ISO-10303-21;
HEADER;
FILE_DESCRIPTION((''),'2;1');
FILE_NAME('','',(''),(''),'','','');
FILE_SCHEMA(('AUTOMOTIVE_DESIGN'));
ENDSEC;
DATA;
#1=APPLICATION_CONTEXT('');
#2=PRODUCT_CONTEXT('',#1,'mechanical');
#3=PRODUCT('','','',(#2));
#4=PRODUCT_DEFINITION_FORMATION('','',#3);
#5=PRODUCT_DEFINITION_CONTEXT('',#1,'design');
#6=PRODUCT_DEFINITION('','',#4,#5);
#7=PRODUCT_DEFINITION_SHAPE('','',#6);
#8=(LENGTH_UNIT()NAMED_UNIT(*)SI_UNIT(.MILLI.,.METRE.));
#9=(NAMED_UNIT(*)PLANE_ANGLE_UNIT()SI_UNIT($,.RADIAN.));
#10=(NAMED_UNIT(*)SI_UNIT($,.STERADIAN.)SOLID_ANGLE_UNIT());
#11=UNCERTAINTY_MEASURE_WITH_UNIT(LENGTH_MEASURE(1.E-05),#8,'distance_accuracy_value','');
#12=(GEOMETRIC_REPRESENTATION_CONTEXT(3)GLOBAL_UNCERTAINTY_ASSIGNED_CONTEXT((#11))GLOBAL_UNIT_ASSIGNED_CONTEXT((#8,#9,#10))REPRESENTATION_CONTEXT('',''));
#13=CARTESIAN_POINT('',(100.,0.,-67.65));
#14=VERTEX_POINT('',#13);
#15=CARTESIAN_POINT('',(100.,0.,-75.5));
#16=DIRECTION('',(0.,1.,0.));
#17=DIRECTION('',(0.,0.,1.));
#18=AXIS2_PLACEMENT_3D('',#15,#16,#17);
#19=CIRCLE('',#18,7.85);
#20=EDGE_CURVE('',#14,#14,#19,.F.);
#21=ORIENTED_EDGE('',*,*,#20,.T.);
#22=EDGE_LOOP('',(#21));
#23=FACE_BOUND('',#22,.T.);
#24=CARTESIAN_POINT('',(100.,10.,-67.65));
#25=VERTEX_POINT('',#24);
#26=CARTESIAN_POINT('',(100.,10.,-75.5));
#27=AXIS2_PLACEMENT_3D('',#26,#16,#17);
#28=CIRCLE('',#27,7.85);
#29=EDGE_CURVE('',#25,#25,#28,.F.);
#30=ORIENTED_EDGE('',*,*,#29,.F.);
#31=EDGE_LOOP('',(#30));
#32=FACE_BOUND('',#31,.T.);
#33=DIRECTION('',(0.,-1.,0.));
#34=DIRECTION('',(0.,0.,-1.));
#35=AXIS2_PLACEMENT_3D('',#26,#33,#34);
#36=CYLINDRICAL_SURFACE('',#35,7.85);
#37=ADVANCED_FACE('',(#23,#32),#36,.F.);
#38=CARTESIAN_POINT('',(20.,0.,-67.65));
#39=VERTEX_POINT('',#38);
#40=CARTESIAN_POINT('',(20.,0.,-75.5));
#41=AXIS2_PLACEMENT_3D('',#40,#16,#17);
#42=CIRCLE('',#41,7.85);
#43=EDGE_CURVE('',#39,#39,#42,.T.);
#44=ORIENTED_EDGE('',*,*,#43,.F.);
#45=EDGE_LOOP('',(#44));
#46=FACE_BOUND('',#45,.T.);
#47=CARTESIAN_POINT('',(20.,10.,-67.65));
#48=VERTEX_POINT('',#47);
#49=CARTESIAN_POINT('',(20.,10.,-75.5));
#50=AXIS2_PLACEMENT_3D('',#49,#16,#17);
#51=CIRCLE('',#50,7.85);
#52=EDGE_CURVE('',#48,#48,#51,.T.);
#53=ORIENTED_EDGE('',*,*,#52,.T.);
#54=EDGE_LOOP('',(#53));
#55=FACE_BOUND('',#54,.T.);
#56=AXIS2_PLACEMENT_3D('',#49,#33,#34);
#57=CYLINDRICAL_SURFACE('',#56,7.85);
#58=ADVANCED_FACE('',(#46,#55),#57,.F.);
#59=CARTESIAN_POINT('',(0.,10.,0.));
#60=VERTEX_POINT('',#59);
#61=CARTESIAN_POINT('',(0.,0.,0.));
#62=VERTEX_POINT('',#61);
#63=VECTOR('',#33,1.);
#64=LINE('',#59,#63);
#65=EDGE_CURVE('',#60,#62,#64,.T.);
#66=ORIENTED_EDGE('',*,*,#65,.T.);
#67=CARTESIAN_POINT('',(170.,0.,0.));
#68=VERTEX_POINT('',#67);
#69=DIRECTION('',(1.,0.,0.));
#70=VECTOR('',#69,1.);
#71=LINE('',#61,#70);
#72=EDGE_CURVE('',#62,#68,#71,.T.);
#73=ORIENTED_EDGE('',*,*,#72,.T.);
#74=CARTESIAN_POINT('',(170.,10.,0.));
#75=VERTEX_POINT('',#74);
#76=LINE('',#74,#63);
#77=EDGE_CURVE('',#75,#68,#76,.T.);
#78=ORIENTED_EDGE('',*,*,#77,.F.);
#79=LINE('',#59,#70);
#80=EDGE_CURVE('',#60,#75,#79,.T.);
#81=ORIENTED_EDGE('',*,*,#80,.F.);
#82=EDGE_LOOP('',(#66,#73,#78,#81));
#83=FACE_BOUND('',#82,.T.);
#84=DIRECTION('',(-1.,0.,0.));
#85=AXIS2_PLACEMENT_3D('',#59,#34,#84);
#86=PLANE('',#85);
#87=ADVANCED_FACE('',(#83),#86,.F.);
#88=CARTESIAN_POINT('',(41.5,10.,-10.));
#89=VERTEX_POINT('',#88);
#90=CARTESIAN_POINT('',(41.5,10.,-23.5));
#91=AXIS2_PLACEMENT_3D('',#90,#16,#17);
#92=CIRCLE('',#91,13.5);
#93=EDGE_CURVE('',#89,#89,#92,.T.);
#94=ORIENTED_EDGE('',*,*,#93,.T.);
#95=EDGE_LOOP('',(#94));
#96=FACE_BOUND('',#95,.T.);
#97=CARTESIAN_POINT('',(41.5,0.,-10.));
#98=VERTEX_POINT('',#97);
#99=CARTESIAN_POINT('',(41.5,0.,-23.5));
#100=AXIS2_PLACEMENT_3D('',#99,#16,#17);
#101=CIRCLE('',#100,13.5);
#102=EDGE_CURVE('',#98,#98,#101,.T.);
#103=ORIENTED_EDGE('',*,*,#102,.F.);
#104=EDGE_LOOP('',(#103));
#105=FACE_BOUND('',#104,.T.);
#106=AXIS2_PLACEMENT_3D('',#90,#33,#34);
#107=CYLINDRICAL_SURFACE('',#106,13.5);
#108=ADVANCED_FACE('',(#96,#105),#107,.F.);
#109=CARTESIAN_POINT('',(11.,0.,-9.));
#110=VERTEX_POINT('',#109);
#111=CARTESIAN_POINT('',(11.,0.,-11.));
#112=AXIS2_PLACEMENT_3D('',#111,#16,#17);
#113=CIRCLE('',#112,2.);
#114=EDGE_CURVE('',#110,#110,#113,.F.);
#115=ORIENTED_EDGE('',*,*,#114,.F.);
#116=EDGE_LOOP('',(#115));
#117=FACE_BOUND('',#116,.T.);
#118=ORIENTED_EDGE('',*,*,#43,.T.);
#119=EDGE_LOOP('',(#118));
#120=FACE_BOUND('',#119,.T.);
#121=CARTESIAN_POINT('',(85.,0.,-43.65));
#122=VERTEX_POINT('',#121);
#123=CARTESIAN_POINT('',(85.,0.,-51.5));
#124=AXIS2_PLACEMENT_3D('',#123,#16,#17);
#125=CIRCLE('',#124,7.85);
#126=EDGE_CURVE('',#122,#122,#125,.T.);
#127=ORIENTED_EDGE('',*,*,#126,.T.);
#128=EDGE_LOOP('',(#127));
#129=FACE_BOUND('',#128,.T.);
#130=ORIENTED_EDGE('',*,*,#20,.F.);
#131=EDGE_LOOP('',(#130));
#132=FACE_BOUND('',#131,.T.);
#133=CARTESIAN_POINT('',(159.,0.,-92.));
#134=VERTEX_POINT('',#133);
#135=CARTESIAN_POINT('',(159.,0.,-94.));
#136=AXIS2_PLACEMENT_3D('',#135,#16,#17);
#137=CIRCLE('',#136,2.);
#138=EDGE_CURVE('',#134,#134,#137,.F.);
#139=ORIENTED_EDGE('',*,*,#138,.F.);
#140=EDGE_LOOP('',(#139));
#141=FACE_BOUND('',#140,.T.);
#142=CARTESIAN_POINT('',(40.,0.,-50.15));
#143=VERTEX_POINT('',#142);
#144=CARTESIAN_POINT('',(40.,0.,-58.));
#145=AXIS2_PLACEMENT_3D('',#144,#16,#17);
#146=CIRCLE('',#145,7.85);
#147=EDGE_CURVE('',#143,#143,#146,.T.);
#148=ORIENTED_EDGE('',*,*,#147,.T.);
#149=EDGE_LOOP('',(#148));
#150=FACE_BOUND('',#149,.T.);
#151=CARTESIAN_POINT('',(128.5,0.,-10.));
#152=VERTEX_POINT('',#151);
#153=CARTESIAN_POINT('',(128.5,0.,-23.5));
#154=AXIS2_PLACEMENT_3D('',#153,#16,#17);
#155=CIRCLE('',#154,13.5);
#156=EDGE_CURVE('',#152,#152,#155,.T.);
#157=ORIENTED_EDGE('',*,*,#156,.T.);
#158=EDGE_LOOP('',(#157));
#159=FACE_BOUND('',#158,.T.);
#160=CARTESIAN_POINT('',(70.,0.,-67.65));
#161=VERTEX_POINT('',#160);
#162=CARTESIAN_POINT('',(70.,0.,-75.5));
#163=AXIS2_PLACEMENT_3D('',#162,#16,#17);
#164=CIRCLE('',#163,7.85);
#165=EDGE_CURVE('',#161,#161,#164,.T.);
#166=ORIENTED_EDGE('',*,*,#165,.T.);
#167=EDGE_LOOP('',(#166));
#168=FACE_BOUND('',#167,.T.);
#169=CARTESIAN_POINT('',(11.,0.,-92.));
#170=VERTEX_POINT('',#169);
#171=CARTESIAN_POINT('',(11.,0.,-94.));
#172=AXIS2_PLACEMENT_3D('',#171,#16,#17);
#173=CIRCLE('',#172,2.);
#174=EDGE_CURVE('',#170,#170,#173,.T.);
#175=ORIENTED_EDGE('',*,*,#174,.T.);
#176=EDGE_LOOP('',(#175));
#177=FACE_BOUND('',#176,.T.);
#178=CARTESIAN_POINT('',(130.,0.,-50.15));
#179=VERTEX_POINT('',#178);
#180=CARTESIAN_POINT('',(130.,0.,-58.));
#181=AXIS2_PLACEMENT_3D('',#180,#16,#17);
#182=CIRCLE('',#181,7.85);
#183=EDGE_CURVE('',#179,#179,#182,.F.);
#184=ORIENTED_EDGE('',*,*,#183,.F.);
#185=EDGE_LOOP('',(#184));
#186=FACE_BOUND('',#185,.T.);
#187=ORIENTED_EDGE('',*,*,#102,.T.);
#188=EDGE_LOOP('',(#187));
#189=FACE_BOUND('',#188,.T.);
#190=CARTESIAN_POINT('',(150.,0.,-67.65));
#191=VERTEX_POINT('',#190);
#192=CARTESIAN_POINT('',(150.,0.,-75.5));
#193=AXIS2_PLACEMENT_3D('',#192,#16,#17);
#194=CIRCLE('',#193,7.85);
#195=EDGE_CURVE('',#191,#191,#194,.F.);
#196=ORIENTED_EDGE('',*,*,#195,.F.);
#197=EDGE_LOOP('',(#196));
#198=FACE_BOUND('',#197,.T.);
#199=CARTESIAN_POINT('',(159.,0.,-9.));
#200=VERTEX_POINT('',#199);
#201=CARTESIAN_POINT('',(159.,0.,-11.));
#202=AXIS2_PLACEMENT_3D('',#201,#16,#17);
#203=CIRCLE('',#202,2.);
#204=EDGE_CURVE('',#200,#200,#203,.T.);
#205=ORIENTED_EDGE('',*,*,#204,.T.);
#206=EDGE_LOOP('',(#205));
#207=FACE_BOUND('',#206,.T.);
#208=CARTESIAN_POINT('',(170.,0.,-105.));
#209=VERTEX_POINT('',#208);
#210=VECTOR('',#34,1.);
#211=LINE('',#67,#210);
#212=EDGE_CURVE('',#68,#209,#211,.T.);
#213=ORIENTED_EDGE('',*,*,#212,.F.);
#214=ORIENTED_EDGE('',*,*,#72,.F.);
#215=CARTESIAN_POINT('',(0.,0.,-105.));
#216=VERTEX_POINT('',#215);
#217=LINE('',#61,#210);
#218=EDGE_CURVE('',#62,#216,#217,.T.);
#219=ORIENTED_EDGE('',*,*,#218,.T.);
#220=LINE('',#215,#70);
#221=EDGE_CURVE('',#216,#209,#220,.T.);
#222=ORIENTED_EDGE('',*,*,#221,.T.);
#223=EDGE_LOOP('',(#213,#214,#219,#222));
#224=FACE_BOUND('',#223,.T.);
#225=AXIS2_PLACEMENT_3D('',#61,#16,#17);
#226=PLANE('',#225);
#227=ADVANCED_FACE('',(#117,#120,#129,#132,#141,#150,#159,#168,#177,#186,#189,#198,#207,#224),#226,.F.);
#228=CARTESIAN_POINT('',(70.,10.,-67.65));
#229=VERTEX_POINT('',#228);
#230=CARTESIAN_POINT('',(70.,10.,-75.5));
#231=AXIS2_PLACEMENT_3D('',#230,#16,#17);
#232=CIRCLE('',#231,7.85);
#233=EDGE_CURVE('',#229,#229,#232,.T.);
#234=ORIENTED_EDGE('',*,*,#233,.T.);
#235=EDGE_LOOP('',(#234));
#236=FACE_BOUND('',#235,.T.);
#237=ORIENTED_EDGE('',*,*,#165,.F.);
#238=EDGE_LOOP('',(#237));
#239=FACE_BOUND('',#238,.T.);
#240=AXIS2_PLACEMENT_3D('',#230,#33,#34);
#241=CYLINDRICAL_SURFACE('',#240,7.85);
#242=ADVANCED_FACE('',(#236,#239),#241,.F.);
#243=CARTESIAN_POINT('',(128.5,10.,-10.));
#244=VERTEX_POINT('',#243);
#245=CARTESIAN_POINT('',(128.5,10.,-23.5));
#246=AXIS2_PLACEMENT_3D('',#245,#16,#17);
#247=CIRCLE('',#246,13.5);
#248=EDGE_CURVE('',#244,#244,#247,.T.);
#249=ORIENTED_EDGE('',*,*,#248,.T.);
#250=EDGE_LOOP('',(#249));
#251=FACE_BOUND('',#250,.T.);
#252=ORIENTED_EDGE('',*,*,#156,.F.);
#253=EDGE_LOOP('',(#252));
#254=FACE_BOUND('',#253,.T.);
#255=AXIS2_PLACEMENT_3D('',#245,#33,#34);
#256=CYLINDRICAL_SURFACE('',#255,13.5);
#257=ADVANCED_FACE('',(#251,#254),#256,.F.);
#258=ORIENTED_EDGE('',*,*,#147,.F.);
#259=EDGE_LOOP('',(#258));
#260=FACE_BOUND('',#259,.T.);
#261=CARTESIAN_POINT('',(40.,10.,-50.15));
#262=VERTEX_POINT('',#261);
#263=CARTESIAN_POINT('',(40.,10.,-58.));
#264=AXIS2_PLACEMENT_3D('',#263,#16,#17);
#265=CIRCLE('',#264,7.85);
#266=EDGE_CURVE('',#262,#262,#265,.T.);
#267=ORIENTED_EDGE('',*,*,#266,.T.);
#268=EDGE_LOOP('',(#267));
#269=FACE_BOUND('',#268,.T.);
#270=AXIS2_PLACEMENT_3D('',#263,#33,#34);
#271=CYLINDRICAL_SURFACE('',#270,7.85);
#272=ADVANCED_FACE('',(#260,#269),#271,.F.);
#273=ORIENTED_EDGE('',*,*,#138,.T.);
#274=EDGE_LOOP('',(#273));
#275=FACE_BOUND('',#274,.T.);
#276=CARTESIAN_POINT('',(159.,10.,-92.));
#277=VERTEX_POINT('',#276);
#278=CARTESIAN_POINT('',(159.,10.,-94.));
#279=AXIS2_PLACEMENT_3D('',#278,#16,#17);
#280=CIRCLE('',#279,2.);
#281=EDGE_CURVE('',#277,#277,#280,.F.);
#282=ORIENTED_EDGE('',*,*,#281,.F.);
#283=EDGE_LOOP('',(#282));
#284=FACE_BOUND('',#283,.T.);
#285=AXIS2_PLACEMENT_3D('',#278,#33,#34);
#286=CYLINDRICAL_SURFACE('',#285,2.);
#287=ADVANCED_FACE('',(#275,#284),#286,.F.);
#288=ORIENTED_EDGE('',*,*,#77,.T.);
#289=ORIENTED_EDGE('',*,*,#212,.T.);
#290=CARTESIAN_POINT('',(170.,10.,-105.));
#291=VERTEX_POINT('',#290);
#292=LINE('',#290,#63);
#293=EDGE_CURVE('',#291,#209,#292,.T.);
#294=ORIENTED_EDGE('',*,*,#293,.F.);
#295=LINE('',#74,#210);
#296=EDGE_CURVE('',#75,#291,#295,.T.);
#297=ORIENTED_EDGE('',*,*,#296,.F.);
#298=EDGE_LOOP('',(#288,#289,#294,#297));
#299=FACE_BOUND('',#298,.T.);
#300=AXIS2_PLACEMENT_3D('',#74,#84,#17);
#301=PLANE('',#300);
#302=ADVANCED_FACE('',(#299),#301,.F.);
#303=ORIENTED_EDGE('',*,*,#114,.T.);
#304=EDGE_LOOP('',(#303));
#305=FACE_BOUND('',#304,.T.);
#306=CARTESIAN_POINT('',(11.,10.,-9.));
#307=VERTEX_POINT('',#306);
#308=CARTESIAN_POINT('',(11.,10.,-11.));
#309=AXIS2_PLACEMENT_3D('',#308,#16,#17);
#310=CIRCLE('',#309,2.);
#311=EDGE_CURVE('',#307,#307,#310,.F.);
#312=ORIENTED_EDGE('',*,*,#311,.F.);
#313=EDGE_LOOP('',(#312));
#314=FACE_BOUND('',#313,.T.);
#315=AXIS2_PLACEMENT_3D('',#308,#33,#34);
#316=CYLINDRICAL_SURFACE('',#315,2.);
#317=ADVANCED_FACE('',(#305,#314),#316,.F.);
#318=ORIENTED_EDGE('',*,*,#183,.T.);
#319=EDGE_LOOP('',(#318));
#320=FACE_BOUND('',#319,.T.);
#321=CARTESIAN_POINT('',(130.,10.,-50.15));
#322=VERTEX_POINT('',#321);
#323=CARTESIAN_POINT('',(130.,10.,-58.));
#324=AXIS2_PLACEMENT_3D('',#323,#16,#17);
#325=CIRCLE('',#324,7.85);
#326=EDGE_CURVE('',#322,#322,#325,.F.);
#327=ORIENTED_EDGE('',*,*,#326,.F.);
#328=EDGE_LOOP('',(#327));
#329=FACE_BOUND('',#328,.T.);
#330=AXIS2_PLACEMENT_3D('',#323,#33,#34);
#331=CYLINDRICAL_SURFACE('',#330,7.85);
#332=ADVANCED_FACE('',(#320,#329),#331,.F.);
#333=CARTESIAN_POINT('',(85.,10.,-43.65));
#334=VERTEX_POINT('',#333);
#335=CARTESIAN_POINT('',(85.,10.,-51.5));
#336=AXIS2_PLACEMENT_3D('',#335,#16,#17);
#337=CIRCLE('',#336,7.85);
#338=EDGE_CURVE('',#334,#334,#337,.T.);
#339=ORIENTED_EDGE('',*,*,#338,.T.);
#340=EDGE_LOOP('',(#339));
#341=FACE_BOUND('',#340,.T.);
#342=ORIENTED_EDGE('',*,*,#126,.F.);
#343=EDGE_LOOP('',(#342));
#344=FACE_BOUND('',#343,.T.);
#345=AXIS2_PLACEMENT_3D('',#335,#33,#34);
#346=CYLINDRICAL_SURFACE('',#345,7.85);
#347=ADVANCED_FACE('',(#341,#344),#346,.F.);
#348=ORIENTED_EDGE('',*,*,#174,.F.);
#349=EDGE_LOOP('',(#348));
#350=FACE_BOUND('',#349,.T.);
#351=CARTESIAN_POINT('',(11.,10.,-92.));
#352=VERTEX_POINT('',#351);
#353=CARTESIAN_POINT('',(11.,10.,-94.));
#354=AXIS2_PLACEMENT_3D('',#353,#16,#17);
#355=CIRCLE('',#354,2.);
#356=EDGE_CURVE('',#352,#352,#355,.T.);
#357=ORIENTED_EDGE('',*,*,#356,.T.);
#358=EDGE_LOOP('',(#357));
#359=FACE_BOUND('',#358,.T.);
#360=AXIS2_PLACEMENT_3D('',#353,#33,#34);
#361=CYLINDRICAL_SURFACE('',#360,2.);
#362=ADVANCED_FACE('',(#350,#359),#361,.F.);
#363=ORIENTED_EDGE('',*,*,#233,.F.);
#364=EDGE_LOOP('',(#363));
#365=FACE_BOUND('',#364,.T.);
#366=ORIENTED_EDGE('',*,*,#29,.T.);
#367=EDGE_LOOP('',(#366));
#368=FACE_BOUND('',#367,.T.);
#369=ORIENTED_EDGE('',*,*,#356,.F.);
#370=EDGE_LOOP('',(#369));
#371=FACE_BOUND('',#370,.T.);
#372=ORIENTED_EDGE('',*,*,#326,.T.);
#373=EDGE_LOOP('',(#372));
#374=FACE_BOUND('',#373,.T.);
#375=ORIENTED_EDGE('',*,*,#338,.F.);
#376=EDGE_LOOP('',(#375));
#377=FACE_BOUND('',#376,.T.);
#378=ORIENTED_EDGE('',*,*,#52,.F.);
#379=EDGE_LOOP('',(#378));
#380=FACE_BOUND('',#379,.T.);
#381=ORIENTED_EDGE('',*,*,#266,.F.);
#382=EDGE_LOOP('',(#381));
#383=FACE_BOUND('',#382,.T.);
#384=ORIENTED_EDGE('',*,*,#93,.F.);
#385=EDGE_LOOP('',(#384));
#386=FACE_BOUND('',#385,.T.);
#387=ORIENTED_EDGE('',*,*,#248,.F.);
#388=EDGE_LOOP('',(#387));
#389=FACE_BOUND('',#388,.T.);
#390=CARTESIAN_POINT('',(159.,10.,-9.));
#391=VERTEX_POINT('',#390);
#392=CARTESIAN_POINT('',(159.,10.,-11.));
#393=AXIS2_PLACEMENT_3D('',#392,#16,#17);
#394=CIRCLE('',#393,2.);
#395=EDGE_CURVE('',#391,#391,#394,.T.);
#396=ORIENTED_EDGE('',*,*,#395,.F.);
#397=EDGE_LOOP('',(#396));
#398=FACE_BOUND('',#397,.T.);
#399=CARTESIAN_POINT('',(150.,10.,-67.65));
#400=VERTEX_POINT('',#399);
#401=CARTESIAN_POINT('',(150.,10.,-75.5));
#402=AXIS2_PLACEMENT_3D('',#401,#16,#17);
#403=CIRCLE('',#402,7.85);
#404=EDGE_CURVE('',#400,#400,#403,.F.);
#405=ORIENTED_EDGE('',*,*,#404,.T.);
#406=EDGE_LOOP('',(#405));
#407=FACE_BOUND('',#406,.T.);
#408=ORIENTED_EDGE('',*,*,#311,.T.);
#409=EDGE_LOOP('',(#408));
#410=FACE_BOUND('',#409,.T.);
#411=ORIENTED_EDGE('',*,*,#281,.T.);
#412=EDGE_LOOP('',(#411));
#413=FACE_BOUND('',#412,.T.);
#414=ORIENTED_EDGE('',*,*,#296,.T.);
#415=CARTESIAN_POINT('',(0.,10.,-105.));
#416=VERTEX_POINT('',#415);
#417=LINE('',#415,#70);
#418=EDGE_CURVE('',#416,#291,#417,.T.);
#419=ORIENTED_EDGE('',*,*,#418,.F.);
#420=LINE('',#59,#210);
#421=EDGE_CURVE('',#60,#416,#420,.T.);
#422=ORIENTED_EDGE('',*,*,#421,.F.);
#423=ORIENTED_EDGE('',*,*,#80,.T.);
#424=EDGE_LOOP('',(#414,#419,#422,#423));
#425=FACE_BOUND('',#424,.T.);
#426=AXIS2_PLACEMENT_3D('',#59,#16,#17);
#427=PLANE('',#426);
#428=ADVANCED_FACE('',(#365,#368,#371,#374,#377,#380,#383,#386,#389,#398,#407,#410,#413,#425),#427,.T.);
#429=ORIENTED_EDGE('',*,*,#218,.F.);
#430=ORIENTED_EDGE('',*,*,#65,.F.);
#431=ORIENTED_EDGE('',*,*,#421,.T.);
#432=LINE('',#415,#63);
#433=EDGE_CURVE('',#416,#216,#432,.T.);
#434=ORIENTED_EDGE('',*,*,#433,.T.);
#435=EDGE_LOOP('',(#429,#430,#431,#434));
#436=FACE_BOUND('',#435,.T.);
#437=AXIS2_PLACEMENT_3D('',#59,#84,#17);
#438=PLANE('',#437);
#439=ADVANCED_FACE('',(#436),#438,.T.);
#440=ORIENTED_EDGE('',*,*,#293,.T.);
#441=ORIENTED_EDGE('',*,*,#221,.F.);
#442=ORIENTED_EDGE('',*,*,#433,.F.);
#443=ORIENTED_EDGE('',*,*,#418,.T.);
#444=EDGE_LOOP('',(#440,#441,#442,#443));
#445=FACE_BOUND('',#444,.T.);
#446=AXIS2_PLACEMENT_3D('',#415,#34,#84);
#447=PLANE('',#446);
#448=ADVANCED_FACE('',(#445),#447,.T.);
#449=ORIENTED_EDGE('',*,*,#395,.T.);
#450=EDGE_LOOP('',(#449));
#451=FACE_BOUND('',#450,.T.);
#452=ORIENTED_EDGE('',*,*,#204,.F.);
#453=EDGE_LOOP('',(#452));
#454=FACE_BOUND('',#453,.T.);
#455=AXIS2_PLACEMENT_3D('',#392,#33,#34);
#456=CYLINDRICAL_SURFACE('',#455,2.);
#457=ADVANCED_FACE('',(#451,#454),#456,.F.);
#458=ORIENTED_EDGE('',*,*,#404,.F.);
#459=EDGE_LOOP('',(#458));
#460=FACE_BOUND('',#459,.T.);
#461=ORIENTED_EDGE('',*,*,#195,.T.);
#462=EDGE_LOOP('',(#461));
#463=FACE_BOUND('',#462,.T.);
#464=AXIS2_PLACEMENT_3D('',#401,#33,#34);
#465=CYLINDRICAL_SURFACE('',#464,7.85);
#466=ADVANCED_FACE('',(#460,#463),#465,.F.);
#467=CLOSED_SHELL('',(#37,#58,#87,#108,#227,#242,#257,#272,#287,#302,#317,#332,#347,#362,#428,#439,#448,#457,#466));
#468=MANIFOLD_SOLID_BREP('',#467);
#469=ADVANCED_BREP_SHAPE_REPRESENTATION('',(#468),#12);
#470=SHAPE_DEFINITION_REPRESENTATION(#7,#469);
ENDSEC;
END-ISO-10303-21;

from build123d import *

# Parameters (mm, degrees)
SKETCH_1_W      = 170
SKETCH_1_H      = 105
SKETCH_1_R      = 2
SKETCH_1_R_2    = 13.5
SKETCH_1_R_3    = 7.85
EXTRUDE_1_DEPTH = 10


with BuildPart() as part:
    # ｽｹｯﾁ1 → ﾎﾞｽ - 押し出し1 (new body)
    with BuildSketch(Plane(origin=(0, 0, 0), x_dir=(1, 0, 0), z_dir=(0, 1, 0))):
        with Locations((85, 52.5)):
            Rectangle(SKETCH_1_W, SKETCH_1_H)
        with Locations((11, 94)):
            Circle(SKETCH_1_R, mode=Mode.SUBTRACT)
        with Locations((11, 11)):
            Circle(SKETCH_1_R, mode=Mode.SUBTRACT)
        with Locations((41.5, 23.5)):
            Circle(SKETCH_1_R_2, mode=Mode.SUBTRACT)
        with Locations((159, 11)):
            Circle(SKETCH_1_R, mode=Mode.SUBTRACT)
        with Locations((159, 94)):
            Circle(SKETCH_1_R, mode=Mode.SUBTRACT)
        with Locations((128.5, 23.5)):
            Circle(SKETCH_1_R_2, mode=Mode.SUBTRACT)
        with Locations((20, 75.5)):
            Circle(SKETCH_1_R_3, mode=Mode.SUBTRACT)
        with Locations((40, 58)):
            Circle(SKETCH_1_R_3, mode=Mode.SUBTRACT)
        with Locations((70, 75.5)):
            Circle(SKETCH_1_R_3, mode=Mode.SUBTRACT)
        with Locations((85, 51.5)):
            Circle(SKETCH_1_R_3, mode=Mode.SUBTRACT)
        with Locations((100, 75.5)):
            Circle(SKETCH_1_R_3, mode=Mode.SUBTRACT)
        with Locations((130, 58)):
            Circle(SKETCH_1_R_3, mode=Mode.SUBTRACT)
        with Locations((150, 75.5)):
            Circle(SKETCH_1_R_3, mode=Mode.SUBTRACT)
    extrude(amount=EXTRUDE_1_DEPTH)


solid = part.part
